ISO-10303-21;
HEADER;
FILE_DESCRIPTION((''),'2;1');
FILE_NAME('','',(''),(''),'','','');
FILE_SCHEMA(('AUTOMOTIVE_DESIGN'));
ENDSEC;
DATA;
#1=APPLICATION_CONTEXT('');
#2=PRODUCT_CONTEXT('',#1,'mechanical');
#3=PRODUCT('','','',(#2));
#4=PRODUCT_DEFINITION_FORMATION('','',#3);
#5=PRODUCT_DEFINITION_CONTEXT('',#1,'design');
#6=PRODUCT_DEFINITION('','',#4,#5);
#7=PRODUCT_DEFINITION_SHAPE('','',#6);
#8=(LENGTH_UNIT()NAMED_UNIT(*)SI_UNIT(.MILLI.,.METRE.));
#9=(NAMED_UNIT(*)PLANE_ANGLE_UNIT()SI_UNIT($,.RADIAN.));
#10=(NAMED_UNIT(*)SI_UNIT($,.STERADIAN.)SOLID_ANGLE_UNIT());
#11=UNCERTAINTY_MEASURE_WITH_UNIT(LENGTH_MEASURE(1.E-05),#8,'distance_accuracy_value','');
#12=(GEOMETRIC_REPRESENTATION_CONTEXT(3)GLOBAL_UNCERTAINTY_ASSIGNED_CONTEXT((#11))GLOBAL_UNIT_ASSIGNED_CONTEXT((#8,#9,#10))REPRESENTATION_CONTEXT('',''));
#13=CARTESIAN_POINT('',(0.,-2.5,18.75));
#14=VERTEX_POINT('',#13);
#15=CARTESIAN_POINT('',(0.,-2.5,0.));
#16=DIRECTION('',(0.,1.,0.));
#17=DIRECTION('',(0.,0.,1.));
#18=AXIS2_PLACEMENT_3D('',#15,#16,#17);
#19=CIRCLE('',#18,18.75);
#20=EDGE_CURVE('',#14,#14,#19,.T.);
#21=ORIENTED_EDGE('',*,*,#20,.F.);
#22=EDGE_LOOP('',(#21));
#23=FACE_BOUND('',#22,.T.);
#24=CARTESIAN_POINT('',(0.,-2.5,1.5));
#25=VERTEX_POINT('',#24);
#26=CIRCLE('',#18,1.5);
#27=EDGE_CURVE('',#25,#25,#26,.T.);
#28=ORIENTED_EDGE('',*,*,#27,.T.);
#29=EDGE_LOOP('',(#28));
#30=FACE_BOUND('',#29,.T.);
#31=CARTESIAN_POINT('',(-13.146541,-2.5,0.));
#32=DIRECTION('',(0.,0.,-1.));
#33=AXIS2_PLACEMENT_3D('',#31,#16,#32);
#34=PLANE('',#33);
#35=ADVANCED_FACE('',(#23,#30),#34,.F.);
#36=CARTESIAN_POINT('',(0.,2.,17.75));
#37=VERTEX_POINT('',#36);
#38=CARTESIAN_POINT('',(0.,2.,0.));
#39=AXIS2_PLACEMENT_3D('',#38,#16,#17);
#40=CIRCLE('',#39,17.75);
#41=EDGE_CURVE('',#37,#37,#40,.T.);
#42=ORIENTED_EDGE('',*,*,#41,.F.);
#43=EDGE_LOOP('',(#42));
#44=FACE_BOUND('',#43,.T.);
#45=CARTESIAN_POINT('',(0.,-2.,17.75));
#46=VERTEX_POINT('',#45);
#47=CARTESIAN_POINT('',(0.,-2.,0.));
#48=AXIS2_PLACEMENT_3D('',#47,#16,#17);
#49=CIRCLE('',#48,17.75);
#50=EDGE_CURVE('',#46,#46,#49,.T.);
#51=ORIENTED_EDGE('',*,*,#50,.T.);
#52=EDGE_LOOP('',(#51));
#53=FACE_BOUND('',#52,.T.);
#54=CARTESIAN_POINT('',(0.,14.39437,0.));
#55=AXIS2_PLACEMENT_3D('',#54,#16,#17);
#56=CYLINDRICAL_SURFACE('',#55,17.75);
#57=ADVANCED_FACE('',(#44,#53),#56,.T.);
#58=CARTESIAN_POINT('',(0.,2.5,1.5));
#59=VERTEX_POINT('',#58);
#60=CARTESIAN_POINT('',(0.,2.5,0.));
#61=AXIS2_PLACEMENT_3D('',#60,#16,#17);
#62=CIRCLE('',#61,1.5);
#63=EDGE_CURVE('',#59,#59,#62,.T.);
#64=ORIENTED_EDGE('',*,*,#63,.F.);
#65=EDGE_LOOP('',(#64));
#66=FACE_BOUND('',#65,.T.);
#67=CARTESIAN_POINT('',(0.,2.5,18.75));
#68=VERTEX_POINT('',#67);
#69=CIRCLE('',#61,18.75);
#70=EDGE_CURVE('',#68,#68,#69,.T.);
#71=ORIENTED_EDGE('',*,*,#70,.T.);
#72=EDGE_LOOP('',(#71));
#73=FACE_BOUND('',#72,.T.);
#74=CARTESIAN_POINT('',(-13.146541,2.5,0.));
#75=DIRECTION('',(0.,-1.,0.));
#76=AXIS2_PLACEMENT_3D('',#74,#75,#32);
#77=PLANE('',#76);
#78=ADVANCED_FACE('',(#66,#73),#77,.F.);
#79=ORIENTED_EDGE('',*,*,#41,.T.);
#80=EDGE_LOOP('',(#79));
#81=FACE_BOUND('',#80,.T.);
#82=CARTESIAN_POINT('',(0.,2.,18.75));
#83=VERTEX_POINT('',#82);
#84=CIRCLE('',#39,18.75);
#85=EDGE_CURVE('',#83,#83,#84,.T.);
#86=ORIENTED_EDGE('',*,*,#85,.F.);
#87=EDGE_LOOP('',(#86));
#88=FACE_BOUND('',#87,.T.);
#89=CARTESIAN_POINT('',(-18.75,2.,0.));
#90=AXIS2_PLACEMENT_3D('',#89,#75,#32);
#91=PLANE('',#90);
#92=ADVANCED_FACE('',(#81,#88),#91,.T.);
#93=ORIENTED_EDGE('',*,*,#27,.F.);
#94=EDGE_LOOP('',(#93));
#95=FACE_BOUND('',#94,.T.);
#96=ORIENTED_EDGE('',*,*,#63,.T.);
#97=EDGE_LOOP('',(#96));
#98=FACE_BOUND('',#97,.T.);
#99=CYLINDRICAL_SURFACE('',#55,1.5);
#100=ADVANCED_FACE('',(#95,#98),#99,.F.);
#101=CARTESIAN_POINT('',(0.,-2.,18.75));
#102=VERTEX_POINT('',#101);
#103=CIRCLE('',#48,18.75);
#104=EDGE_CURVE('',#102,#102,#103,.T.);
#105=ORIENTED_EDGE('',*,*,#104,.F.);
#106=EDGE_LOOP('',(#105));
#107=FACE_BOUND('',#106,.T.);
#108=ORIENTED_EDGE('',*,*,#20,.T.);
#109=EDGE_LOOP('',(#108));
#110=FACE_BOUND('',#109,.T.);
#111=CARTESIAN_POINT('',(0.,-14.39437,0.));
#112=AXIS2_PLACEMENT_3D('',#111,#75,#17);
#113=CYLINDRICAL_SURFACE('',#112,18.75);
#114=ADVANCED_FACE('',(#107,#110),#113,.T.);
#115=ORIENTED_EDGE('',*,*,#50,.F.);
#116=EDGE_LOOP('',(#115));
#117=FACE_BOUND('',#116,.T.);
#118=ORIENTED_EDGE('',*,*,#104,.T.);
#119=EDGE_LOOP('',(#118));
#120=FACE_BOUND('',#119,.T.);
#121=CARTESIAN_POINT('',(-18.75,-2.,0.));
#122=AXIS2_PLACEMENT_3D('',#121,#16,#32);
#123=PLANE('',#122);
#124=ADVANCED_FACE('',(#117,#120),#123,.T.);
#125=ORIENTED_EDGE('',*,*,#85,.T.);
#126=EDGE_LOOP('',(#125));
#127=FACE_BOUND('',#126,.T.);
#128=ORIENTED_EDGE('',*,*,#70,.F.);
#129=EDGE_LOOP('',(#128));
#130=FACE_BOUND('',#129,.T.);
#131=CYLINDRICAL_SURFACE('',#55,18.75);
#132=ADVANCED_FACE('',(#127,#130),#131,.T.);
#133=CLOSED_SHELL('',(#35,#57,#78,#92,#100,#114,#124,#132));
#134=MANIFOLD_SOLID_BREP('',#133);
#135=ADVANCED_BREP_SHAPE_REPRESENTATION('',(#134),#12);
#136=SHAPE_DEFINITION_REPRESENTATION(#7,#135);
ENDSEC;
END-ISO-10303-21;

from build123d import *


with BuildPart() as part:
    # Sketch1 → Revolve1 (revolve)
    with BuildSketch(Plane.XY):
        Polygon((-13.146540644, 2.5), (-18.75, 2.5), (-18.75, 2), (-17.75, 2), (-17.75, 0), (-1.5, 0), (-1.5, 2.5), align=None)
    revolve1 = revolve(axis=Axis((0, 14.394370017, 0), (0, -1, 0)))

    # Mirror1: Revolve1 across Top Plane
    add(revolve1.mirror(Plane(origin=(0, 0, 0), x_dir=(1, 0, 0), z_dir=(0, 1, 0))))


solid = part.part
